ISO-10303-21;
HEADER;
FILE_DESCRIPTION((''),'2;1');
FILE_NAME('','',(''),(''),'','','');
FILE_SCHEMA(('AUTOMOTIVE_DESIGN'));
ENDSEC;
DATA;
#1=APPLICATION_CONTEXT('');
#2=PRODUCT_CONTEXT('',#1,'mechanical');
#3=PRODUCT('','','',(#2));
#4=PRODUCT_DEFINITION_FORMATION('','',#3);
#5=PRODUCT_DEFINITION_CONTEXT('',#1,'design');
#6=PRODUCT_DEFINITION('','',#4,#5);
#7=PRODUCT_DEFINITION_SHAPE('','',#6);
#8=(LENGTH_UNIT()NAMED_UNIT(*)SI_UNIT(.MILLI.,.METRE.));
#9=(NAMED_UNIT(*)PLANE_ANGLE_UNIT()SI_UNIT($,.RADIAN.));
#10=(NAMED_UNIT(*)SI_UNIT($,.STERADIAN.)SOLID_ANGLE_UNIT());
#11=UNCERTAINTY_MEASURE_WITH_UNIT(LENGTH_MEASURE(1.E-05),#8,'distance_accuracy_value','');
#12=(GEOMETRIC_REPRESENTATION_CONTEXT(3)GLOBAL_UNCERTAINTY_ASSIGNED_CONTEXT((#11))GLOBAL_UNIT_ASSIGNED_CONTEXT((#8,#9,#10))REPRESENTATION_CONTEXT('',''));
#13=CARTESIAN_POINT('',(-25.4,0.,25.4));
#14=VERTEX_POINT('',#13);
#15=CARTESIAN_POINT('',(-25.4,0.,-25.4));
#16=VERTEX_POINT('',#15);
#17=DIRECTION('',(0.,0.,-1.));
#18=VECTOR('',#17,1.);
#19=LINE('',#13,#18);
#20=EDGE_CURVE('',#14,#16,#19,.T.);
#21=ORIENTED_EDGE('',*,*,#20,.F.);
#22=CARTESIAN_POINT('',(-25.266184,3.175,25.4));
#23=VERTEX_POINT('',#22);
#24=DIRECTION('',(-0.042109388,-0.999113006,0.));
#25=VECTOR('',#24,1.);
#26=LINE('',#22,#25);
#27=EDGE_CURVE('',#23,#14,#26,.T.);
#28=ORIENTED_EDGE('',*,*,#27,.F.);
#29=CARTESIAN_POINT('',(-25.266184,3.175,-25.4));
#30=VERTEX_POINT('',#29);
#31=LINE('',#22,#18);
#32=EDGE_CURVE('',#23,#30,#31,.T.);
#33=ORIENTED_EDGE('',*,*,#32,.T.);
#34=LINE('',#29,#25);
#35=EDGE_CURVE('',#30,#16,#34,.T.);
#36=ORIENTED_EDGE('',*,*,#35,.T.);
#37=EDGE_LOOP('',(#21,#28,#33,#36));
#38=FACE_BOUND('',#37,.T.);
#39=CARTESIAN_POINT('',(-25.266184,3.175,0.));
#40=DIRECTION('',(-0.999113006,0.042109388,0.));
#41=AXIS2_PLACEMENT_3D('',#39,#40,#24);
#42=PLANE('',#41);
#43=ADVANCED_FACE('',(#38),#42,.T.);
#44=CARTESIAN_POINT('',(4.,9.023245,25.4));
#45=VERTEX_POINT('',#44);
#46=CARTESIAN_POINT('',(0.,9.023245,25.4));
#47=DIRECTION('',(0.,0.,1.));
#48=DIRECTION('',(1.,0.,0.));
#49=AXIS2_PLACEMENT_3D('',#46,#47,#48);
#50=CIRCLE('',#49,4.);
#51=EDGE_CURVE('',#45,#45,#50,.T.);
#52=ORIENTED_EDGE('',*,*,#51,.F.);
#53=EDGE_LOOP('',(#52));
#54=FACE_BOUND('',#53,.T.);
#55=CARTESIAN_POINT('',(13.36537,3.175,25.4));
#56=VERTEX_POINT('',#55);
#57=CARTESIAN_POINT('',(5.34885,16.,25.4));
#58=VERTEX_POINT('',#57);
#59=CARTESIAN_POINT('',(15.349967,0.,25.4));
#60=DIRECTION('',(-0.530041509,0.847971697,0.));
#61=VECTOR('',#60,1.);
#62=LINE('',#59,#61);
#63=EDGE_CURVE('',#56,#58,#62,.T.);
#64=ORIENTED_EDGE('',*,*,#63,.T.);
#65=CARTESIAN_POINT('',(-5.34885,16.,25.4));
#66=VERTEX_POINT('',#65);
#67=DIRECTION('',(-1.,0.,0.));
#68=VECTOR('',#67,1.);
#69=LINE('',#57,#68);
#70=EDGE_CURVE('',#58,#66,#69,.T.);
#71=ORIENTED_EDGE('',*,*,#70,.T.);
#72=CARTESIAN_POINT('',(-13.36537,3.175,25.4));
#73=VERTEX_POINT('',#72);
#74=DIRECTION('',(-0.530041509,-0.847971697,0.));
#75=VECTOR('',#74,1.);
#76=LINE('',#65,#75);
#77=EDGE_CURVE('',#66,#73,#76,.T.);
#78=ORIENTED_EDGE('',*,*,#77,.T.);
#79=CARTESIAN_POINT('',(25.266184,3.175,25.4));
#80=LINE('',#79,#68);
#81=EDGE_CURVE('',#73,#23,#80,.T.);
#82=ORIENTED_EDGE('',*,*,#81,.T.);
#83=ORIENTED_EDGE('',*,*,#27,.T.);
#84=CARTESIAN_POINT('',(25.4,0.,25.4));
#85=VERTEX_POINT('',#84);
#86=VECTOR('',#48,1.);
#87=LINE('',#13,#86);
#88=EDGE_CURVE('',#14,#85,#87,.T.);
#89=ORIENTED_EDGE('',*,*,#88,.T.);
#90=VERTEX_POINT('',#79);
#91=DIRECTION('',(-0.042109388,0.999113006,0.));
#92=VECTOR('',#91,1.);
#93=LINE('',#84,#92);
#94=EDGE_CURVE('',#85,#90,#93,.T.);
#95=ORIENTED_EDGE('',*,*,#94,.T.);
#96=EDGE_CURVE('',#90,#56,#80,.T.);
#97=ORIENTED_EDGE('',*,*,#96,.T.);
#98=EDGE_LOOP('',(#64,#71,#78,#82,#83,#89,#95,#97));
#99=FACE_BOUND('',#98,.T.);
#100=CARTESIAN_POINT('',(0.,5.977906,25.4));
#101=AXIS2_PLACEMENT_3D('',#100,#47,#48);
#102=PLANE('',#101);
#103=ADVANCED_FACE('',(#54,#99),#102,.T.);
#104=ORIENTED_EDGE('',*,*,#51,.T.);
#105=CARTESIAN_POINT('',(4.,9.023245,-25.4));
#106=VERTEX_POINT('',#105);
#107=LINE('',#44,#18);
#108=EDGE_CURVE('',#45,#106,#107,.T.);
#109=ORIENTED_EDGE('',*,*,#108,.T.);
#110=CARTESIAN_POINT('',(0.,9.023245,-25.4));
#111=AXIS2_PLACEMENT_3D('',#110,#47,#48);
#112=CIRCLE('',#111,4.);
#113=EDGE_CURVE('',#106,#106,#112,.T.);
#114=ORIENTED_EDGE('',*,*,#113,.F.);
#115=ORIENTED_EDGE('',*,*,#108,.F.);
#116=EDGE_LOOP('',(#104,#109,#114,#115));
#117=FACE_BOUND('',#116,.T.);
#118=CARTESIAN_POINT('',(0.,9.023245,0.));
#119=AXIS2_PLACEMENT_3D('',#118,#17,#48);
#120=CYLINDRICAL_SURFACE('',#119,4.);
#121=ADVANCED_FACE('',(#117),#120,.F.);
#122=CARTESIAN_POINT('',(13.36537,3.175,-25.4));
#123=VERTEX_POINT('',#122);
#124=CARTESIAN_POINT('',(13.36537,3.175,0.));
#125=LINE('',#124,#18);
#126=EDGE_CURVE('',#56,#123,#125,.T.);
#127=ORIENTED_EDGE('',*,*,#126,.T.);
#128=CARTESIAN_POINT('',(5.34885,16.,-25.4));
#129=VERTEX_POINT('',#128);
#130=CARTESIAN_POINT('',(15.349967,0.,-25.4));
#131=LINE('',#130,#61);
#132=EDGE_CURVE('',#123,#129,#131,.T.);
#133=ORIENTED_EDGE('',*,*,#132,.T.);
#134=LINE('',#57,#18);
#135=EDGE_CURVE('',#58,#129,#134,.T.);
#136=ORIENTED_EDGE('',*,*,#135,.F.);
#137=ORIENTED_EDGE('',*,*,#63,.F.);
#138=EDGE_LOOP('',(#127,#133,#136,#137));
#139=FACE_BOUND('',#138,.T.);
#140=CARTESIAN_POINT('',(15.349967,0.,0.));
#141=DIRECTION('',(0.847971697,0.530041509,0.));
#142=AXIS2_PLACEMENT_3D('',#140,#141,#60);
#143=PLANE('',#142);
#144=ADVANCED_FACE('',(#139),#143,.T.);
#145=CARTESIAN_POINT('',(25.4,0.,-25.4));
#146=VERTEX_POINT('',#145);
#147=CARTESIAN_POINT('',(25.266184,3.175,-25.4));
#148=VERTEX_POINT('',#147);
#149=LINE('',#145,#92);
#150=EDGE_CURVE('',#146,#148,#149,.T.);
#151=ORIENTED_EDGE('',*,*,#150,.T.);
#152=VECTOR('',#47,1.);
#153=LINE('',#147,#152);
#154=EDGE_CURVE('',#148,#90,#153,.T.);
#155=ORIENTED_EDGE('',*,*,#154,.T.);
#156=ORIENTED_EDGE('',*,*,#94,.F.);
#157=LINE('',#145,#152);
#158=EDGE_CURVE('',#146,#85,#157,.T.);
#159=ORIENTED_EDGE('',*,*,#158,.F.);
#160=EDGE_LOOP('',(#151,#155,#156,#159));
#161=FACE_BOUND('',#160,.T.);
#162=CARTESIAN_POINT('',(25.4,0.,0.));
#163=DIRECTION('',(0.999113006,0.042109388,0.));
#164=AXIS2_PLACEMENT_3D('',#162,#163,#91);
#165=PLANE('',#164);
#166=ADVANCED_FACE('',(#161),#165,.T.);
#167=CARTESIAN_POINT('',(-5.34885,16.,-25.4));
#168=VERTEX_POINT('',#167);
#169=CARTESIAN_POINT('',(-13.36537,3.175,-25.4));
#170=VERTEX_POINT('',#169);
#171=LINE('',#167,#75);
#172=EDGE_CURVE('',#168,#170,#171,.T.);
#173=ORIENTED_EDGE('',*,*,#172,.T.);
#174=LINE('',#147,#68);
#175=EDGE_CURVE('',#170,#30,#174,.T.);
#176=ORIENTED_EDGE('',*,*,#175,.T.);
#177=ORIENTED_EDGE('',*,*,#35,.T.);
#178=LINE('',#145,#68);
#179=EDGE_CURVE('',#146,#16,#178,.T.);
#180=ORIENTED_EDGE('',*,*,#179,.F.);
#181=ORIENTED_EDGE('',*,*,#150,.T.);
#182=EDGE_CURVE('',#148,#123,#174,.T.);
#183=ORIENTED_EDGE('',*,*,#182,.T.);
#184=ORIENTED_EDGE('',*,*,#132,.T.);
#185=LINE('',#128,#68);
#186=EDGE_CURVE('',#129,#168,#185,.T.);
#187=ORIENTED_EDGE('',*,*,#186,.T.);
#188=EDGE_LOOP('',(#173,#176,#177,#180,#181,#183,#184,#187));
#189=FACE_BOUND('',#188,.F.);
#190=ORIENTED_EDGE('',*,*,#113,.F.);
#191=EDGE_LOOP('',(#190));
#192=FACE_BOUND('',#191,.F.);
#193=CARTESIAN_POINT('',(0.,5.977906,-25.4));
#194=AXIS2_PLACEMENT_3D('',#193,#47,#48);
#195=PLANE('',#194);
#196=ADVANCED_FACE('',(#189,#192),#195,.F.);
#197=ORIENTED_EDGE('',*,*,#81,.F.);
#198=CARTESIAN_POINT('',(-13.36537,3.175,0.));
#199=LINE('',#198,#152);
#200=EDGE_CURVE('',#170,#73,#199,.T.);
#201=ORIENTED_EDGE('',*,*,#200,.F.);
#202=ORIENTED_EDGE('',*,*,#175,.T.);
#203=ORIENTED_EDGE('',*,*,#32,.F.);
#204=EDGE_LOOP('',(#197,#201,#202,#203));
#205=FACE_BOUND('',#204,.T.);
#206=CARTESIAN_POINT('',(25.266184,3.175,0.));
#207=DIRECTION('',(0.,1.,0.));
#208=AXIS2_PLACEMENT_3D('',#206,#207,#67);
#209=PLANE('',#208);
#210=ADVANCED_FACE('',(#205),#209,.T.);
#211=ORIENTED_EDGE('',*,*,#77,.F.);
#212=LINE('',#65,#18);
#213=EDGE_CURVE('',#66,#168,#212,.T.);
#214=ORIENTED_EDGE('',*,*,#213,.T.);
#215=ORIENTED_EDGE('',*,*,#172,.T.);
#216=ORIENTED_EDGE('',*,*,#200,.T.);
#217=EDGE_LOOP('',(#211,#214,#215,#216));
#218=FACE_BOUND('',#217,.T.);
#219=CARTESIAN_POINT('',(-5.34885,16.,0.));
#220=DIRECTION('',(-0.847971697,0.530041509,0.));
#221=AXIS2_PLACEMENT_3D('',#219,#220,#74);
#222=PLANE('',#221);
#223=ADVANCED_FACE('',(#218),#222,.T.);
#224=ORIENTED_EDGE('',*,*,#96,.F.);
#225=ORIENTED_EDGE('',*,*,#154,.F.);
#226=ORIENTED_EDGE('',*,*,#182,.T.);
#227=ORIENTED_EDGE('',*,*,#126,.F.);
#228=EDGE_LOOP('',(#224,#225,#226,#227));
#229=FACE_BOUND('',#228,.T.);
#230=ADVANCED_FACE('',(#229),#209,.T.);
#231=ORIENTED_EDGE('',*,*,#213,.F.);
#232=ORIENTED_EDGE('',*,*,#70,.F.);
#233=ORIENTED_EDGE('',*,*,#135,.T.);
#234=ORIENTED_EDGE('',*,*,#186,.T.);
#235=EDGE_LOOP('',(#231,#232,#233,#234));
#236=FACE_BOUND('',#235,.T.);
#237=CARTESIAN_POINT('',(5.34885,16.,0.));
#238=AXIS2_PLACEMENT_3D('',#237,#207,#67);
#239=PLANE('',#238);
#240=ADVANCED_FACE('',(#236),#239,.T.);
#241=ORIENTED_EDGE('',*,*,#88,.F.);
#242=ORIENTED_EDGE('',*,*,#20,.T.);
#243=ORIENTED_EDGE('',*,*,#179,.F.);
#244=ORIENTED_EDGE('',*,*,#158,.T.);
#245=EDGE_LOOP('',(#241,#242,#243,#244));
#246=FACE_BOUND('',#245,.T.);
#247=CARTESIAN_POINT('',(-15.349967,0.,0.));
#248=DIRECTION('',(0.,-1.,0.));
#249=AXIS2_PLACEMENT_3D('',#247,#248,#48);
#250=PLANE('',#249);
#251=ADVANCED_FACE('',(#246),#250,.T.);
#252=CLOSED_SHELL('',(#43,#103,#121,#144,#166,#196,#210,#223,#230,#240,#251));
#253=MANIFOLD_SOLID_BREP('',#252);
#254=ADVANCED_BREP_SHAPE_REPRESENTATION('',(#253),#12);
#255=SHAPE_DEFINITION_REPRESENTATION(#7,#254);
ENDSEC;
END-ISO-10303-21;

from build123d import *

# Parameters (mm, degrees)
F1_DEPTH = 25.4
F2_R     = 4
F3_DEPTH = 25.4


with BuildPart() as f1:
    # F0 (on Top) → F1 (new body, symmetric)
    with BuildSketch(Plane.XY):
        Polygon((-25.4, 0), (0, 0), (25.4, 0), (25.266184, 3.175), (0, 3.175), (-25.266184, 3.175), align=None)
    extrude(amount=F1_DEPTH, both=True)

    # F2 (on Top) → F3 (join, symmetric)
    with BuildSketch(Plane.XY):
        Polygon((-5.34885, 16), (-15.349967, 0), (15.349967, 0), (5.34885, 16), (0, 16), align=None)
        with Locations((0, 9.023245)):
            Circle(F2_R, mode=Mode.SUBTRACT)
    extrude(amount=F3_DEPTH, both=True)


solid = f1.part
